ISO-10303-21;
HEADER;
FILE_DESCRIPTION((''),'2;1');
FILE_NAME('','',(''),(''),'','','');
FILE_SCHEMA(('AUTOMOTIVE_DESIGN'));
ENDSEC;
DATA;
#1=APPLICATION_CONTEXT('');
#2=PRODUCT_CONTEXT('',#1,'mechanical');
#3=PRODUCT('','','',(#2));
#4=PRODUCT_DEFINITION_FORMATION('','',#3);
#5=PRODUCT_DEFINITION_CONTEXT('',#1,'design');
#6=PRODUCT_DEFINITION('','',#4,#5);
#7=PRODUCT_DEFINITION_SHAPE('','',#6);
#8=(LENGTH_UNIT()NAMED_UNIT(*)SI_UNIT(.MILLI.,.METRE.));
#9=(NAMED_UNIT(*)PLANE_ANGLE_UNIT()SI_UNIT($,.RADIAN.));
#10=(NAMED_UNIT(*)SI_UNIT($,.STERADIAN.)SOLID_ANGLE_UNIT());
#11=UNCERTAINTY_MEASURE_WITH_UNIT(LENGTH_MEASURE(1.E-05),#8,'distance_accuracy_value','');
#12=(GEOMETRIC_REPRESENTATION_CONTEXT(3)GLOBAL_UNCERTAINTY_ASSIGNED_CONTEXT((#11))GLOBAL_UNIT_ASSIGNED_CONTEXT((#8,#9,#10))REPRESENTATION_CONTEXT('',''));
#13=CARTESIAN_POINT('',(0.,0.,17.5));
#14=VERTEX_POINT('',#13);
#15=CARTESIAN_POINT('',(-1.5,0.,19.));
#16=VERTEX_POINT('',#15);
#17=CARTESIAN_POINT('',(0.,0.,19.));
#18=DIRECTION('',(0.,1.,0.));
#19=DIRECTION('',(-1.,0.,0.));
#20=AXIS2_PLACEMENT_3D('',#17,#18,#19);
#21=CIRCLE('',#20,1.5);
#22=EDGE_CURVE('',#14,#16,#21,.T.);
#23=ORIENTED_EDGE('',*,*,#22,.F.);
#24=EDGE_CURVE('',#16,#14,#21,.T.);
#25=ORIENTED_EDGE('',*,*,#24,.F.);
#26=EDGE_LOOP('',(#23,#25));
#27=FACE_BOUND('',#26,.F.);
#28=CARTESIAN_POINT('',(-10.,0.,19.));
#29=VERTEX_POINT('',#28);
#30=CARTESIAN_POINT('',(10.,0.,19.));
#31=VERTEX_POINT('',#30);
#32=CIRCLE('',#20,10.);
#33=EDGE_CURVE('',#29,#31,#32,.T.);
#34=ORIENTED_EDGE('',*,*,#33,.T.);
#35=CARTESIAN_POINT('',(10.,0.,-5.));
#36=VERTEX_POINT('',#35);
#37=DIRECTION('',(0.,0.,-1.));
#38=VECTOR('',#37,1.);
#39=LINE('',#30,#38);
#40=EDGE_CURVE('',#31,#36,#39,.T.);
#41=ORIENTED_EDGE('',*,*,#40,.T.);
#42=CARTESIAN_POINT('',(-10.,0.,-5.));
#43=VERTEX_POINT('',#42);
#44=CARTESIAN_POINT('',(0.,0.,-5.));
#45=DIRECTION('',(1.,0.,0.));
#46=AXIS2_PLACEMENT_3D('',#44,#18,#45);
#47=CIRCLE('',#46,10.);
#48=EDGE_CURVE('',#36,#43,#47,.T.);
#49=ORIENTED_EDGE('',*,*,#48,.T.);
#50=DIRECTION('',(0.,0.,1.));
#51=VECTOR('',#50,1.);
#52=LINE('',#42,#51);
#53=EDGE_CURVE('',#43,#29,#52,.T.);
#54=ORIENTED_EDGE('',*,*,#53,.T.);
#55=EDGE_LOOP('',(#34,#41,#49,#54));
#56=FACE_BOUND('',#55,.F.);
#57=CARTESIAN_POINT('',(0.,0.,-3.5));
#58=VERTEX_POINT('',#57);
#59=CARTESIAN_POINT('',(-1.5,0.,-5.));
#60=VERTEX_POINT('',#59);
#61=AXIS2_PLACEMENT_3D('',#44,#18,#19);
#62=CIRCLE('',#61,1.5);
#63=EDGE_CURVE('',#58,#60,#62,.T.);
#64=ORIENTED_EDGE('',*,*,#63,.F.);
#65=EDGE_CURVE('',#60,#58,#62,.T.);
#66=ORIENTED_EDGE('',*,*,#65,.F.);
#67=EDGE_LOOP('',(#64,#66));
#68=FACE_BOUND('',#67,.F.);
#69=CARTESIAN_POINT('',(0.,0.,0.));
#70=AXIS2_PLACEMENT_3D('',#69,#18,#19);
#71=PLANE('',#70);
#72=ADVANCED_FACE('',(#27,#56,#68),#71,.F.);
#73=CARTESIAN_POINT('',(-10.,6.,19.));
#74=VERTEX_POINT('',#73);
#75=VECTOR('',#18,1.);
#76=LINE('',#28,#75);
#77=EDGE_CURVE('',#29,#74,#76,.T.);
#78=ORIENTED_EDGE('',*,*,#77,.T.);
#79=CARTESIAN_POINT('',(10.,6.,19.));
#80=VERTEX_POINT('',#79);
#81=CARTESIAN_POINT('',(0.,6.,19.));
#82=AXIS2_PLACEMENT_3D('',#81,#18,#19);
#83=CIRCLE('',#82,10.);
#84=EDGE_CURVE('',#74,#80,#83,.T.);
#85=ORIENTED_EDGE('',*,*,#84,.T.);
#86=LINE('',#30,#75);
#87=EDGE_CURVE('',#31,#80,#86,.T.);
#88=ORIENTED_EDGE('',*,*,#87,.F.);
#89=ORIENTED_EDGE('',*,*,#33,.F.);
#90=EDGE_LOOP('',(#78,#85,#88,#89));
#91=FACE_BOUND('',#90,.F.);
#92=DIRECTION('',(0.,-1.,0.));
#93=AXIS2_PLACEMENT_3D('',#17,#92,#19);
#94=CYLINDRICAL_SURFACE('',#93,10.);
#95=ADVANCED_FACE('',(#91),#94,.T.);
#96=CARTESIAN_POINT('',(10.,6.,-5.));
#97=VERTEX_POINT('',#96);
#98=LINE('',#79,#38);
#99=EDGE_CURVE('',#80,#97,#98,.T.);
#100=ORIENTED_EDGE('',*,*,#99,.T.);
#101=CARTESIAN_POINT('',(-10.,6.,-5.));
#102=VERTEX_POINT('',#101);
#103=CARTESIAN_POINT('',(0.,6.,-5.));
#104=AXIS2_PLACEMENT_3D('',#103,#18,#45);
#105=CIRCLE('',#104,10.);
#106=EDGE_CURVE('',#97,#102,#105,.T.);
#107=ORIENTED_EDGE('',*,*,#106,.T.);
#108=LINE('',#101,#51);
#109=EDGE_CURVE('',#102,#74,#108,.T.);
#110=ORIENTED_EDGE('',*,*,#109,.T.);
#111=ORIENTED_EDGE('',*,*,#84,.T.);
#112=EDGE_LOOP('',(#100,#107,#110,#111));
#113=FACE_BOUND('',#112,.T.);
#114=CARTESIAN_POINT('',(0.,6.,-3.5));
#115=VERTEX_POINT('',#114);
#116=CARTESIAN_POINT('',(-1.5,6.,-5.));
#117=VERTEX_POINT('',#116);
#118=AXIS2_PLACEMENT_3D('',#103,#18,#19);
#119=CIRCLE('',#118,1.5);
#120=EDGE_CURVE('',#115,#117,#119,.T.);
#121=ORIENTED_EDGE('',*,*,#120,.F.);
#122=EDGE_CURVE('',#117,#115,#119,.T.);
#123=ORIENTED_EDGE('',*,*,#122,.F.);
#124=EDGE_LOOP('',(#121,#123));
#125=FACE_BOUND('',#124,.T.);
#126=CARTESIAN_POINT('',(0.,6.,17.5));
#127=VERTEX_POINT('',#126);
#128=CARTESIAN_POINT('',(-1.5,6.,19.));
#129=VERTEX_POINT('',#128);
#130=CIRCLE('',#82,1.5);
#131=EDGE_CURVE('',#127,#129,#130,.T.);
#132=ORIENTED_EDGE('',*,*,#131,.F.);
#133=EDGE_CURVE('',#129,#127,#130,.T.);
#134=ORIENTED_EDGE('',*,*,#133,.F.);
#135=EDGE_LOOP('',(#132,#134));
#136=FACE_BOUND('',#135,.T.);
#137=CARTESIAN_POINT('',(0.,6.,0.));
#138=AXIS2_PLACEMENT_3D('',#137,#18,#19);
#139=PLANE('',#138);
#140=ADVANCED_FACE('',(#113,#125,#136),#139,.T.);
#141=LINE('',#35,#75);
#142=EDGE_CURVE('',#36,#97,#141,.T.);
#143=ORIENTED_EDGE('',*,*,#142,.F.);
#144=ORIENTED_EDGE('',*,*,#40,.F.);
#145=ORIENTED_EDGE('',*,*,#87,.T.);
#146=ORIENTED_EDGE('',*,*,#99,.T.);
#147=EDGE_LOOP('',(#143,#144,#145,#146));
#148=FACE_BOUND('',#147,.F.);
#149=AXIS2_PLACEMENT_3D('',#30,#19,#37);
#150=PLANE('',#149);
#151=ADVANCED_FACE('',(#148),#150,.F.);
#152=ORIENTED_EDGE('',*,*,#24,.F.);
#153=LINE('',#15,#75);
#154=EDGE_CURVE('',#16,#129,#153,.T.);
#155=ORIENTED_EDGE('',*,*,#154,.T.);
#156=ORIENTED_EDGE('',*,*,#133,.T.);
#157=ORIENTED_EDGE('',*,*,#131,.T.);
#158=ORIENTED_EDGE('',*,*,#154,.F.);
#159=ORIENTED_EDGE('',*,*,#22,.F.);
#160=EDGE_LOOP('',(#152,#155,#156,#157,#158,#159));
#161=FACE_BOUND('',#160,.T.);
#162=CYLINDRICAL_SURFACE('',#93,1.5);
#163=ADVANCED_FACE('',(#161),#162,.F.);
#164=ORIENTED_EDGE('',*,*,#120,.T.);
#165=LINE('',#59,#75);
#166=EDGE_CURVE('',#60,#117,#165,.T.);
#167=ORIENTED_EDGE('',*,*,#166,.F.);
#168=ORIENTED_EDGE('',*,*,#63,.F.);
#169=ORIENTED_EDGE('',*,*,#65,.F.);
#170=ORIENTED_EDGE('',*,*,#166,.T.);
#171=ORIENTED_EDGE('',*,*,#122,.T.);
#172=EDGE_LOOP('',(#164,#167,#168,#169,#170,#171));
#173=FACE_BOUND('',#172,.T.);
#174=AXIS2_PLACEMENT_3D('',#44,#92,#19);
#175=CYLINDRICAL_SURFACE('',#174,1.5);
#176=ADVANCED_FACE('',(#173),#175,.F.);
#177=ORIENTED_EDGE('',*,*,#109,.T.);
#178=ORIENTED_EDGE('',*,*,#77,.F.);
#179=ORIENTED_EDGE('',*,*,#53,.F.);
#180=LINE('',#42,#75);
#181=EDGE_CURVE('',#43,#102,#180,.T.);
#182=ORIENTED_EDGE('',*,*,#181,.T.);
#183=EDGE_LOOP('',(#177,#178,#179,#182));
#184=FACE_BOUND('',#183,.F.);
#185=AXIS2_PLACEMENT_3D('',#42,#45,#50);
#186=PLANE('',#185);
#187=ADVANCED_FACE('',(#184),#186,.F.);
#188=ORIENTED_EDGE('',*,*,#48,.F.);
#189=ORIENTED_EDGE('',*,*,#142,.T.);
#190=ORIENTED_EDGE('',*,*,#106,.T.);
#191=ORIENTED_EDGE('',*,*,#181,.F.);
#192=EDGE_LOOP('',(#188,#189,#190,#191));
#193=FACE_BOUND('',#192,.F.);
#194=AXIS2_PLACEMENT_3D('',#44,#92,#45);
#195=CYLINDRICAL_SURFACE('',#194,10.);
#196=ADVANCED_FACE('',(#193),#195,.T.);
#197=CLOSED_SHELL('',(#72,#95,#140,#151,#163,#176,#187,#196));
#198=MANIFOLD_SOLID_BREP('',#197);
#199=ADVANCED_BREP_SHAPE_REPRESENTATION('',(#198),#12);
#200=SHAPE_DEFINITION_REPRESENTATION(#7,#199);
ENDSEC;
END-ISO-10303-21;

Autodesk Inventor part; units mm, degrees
ref_plane "YZ Plane" through (0, 0, 0) normal (1, 0, 0) x (0, 1, 0)
ref_plane "XZ Plane" through (0, 0, 0) normal (0, 1, 0) x (-1, 0, 0)
ref_plane "XY Plane" through (0, 0, 0) normal (0, 0, 1) x (1, 0, 0)
sketch "Sketch1" plane through (0, 0, 0) normal (0, 1, 0) x (-1, 0, 0)
  line L0 (0, 0) -> (-5.6352, 0)
  line L1 (-5.6352, 0) -> (0, 0)
  line L2 (0, 0) -> (0, 8.7024)
  line L3 (6.5, 14) -> (-6.5, 14)
  line L4 (-6.5, 14) -> (-6.5, 0)
  line L5 (-6.5, 0) -> (6.5, 0)
  line L6 (6.5, 0) -> (6.5, 14)
  circle A0 centre (0, -5) radius 1.5
  circle A1 centre (0, 19) radius 1.5
  line L7 (0, 19) -> (0, -5)
  line L8 (0, 19) -> (0, -5) construction
  line L9 (-10, 19) -> (-10, -5)
  line L10 (10, -5) -> (10, 19)
  arc A2 (10, 19) -> (-10, 19) centre (0, 19) ccw
  arc A3 (-10, -5) -> (10, -5) centre (0, -5) ccw
  point P0 (0, -8.7024)
  point P1 (0, 7)
  dimension "d25" = 13
  dimension "d26" = 14
  dimension "d30" = 5
  dimension "d31" = 5
  dimension "d32" = 3
  dimension "d33" = 20
extrude "Extrusion1" add sketch "Sketch1" along normal blind 6 contours L0 L5 L4 L3 L7 L2 | L2 L7 L3 L6 L5 | A2 L10 A3 L9
properties part number "case_usb_cap" material "Acrylic, Clear"
